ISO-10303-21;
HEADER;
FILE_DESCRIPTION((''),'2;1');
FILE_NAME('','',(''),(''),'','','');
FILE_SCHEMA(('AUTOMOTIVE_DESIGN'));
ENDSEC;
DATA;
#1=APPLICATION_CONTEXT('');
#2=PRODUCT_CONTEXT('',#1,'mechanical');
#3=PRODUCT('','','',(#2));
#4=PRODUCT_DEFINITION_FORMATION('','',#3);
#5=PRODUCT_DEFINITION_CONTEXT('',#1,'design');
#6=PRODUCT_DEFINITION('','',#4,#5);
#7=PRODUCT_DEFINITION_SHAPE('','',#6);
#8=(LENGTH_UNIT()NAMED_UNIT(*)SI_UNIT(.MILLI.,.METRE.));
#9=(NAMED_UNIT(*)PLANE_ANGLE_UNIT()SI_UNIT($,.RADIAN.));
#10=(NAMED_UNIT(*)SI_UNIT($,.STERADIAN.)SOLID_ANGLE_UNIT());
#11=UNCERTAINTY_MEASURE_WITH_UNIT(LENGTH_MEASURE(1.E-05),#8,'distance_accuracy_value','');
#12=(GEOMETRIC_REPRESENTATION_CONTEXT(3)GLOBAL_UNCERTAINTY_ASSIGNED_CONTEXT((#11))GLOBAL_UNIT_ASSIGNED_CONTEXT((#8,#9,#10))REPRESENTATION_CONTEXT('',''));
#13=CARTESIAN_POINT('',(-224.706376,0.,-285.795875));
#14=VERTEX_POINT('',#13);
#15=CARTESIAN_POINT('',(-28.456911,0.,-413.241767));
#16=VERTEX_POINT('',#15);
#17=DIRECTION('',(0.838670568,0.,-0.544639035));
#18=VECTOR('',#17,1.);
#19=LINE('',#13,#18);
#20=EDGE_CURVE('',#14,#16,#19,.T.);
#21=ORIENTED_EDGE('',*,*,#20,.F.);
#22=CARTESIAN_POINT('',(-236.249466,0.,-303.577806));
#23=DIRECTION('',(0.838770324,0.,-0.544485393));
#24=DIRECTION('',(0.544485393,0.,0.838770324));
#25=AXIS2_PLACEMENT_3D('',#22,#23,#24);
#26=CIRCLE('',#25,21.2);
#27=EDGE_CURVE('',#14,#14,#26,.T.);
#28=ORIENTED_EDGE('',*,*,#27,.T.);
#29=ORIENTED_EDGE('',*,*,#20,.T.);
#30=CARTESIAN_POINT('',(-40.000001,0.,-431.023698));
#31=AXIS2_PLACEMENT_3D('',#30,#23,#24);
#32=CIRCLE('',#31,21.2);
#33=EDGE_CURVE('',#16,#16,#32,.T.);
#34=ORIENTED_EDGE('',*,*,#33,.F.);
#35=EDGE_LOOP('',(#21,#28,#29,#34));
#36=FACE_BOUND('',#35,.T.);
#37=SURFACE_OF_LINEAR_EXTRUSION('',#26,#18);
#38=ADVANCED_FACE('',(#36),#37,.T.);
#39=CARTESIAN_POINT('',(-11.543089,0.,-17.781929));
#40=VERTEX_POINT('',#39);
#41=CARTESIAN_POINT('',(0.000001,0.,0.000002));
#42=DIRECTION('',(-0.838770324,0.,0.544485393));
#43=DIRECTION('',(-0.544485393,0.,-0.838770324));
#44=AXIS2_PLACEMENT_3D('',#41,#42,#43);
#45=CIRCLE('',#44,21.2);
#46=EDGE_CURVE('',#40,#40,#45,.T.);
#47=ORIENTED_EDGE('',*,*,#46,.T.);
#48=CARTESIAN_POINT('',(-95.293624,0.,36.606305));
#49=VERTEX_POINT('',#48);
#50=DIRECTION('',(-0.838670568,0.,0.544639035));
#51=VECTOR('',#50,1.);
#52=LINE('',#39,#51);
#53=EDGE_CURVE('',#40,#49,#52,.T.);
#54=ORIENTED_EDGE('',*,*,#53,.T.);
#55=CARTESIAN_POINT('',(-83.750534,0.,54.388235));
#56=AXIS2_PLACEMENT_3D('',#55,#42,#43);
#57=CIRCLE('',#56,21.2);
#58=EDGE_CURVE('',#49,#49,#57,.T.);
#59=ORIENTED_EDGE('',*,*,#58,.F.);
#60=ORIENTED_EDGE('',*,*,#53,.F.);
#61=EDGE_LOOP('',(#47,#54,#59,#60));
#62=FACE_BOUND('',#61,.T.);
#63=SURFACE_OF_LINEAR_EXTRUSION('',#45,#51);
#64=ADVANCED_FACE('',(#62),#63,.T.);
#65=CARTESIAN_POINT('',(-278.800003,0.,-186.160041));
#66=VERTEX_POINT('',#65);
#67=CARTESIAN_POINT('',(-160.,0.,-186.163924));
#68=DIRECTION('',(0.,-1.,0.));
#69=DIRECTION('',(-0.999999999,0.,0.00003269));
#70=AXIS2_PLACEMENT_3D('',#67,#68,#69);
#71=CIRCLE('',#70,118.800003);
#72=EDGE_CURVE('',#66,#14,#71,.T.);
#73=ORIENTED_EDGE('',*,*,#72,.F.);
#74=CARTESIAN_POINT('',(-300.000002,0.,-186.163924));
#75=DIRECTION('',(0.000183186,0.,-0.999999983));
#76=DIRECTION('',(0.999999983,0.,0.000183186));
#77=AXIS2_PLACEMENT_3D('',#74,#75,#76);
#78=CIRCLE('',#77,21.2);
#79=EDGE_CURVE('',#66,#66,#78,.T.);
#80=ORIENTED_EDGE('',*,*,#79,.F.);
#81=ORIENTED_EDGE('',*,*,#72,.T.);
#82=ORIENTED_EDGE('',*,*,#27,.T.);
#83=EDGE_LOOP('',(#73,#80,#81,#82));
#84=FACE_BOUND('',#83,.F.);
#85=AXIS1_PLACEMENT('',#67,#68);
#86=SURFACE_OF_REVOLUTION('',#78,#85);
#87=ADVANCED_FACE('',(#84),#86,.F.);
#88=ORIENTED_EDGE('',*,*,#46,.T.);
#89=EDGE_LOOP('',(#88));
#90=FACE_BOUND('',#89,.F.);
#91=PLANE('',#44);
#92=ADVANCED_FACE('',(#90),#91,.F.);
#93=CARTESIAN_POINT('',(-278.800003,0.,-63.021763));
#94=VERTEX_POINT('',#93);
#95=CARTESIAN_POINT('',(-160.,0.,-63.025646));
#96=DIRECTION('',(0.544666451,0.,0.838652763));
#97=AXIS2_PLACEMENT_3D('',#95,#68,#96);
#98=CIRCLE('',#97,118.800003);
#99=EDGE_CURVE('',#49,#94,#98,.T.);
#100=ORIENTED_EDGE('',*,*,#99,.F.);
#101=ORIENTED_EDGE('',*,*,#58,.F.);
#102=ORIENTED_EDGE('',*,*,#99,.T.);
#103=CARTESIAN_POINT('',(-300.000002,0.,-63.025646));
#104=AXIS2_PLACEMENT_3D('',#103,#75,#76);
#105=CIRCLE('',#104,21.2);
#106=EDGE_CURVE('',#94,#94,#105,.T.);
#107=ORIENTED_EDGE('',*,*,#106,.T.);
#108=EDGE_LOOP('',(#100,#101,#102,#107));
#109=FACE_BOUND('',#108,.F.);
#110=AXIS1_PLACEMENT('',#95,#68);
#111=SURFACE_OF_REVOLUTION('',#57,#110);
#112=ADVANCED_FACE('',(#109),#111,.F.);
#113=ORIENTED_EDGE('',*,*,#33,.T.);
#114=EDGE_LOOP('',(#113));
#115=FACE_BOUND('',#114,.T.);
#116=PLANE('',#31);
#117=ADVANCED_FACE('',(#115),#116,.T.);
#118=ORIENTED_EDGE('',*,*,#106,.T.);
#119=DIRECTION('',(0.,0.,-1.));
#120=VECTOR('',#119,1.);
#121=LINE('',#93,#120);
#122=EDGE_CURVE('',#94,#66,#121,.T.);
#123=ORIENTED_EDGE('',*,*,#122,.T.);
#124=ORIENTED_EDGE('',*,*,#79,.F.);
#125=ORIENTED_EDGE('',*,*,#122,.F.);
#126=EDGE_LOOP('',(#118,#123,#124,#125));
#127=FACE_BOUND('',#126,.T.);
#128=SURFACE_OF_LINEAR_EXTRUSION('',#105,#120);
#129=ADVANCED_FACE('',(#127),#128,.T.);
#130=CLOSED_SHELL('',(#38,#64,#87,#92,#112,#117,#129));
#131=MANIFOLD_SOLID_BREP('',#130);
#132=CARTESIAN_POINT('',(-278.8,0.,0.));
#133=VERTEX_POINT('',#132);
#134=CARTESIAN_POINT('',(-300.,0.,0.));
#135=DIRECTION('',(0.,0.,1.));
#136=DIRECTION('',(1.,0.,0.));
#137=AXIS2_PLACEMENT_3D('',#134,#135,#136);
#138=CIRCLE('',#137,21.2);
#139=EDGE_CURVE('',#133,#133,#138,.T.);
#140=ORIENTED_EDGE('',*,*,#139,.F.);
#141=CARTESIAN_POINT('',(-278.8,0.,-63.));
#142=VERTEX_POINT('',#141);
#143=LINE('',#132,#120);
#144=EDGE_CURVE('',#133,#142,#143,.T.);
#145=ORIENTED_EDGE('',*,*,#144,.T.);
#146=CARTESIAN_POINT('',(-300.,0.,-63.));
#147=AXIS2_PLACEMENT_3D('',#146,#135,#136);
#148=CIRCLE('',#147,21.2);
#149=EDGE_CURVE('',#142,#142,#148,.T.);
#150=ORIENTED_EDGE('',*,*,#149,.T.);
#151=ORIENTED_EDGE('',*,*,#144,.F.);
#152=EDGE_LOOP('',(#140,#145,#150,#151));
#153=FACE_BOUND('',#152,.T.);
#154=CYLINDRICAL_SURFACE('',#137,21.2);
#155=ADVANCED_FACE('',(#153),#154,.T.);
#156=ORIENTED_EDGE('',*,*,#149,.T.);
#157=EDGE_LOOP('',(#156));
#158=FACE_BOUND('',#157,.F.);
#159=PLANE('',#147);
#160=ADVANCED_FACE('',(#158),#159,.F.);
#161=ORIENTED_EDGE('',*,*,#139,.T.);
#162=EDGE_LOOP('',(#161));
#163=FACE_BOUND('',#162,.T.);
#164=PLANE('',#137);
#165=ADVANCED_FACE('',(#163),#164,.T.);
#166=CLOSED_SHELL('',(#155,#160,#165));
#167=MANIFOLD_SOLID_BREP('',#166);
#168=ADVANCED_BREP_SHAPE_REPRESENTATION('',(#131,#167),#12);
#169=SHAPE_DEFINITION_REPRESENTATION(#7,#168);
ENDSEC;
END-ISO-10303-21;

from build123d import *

# Parameters (mm, degrees)
F1_R      = 21.2
F2_DEPTH  = 63
F2_FACE_R = 21.2


with BuildPart() as f2:
    # F1 (on Top) → F2 (new body)
    with BuildSketch(Plane.XY):
        with Locations((-300, 0)):
            Circle(F1_R)
    extrude(amount=-F2_DEPTH)


with BuildPart() as f3:
    # F3: sweep along a path in F0
    with BuildLine(Plane.XZ) as f3_path:
        Line((0, 0), (-83.7505350979, 54.3882334269))
        ThreePointArc((-83.7505350979, 54.3882334269), (-226.8022264363, 60.0087496872), (-300, -63.0256460854))
        Line((-300, -63.0256460854), (-300, -186.1639240914))
        ThreePointArc((-300, -186.1639240914), (-283.0343957727, -252.9661505277), (-236.2494649021, -303.5778036037))
        Line((-236.2494649021, -303.5778036037), (-40, -431.0236962721))
    # F2_face (on face) → F3 (sweep)
    with BuildSketch(Plane(origin=(-300, 0, -63), x_dir=(1, 0, 0), z_dir=(0, 0, -1))):
        Circle(F2_FACE_R)
    sweep(path=f3_path.line)


solid = Compound([f2.part, f3.part])
